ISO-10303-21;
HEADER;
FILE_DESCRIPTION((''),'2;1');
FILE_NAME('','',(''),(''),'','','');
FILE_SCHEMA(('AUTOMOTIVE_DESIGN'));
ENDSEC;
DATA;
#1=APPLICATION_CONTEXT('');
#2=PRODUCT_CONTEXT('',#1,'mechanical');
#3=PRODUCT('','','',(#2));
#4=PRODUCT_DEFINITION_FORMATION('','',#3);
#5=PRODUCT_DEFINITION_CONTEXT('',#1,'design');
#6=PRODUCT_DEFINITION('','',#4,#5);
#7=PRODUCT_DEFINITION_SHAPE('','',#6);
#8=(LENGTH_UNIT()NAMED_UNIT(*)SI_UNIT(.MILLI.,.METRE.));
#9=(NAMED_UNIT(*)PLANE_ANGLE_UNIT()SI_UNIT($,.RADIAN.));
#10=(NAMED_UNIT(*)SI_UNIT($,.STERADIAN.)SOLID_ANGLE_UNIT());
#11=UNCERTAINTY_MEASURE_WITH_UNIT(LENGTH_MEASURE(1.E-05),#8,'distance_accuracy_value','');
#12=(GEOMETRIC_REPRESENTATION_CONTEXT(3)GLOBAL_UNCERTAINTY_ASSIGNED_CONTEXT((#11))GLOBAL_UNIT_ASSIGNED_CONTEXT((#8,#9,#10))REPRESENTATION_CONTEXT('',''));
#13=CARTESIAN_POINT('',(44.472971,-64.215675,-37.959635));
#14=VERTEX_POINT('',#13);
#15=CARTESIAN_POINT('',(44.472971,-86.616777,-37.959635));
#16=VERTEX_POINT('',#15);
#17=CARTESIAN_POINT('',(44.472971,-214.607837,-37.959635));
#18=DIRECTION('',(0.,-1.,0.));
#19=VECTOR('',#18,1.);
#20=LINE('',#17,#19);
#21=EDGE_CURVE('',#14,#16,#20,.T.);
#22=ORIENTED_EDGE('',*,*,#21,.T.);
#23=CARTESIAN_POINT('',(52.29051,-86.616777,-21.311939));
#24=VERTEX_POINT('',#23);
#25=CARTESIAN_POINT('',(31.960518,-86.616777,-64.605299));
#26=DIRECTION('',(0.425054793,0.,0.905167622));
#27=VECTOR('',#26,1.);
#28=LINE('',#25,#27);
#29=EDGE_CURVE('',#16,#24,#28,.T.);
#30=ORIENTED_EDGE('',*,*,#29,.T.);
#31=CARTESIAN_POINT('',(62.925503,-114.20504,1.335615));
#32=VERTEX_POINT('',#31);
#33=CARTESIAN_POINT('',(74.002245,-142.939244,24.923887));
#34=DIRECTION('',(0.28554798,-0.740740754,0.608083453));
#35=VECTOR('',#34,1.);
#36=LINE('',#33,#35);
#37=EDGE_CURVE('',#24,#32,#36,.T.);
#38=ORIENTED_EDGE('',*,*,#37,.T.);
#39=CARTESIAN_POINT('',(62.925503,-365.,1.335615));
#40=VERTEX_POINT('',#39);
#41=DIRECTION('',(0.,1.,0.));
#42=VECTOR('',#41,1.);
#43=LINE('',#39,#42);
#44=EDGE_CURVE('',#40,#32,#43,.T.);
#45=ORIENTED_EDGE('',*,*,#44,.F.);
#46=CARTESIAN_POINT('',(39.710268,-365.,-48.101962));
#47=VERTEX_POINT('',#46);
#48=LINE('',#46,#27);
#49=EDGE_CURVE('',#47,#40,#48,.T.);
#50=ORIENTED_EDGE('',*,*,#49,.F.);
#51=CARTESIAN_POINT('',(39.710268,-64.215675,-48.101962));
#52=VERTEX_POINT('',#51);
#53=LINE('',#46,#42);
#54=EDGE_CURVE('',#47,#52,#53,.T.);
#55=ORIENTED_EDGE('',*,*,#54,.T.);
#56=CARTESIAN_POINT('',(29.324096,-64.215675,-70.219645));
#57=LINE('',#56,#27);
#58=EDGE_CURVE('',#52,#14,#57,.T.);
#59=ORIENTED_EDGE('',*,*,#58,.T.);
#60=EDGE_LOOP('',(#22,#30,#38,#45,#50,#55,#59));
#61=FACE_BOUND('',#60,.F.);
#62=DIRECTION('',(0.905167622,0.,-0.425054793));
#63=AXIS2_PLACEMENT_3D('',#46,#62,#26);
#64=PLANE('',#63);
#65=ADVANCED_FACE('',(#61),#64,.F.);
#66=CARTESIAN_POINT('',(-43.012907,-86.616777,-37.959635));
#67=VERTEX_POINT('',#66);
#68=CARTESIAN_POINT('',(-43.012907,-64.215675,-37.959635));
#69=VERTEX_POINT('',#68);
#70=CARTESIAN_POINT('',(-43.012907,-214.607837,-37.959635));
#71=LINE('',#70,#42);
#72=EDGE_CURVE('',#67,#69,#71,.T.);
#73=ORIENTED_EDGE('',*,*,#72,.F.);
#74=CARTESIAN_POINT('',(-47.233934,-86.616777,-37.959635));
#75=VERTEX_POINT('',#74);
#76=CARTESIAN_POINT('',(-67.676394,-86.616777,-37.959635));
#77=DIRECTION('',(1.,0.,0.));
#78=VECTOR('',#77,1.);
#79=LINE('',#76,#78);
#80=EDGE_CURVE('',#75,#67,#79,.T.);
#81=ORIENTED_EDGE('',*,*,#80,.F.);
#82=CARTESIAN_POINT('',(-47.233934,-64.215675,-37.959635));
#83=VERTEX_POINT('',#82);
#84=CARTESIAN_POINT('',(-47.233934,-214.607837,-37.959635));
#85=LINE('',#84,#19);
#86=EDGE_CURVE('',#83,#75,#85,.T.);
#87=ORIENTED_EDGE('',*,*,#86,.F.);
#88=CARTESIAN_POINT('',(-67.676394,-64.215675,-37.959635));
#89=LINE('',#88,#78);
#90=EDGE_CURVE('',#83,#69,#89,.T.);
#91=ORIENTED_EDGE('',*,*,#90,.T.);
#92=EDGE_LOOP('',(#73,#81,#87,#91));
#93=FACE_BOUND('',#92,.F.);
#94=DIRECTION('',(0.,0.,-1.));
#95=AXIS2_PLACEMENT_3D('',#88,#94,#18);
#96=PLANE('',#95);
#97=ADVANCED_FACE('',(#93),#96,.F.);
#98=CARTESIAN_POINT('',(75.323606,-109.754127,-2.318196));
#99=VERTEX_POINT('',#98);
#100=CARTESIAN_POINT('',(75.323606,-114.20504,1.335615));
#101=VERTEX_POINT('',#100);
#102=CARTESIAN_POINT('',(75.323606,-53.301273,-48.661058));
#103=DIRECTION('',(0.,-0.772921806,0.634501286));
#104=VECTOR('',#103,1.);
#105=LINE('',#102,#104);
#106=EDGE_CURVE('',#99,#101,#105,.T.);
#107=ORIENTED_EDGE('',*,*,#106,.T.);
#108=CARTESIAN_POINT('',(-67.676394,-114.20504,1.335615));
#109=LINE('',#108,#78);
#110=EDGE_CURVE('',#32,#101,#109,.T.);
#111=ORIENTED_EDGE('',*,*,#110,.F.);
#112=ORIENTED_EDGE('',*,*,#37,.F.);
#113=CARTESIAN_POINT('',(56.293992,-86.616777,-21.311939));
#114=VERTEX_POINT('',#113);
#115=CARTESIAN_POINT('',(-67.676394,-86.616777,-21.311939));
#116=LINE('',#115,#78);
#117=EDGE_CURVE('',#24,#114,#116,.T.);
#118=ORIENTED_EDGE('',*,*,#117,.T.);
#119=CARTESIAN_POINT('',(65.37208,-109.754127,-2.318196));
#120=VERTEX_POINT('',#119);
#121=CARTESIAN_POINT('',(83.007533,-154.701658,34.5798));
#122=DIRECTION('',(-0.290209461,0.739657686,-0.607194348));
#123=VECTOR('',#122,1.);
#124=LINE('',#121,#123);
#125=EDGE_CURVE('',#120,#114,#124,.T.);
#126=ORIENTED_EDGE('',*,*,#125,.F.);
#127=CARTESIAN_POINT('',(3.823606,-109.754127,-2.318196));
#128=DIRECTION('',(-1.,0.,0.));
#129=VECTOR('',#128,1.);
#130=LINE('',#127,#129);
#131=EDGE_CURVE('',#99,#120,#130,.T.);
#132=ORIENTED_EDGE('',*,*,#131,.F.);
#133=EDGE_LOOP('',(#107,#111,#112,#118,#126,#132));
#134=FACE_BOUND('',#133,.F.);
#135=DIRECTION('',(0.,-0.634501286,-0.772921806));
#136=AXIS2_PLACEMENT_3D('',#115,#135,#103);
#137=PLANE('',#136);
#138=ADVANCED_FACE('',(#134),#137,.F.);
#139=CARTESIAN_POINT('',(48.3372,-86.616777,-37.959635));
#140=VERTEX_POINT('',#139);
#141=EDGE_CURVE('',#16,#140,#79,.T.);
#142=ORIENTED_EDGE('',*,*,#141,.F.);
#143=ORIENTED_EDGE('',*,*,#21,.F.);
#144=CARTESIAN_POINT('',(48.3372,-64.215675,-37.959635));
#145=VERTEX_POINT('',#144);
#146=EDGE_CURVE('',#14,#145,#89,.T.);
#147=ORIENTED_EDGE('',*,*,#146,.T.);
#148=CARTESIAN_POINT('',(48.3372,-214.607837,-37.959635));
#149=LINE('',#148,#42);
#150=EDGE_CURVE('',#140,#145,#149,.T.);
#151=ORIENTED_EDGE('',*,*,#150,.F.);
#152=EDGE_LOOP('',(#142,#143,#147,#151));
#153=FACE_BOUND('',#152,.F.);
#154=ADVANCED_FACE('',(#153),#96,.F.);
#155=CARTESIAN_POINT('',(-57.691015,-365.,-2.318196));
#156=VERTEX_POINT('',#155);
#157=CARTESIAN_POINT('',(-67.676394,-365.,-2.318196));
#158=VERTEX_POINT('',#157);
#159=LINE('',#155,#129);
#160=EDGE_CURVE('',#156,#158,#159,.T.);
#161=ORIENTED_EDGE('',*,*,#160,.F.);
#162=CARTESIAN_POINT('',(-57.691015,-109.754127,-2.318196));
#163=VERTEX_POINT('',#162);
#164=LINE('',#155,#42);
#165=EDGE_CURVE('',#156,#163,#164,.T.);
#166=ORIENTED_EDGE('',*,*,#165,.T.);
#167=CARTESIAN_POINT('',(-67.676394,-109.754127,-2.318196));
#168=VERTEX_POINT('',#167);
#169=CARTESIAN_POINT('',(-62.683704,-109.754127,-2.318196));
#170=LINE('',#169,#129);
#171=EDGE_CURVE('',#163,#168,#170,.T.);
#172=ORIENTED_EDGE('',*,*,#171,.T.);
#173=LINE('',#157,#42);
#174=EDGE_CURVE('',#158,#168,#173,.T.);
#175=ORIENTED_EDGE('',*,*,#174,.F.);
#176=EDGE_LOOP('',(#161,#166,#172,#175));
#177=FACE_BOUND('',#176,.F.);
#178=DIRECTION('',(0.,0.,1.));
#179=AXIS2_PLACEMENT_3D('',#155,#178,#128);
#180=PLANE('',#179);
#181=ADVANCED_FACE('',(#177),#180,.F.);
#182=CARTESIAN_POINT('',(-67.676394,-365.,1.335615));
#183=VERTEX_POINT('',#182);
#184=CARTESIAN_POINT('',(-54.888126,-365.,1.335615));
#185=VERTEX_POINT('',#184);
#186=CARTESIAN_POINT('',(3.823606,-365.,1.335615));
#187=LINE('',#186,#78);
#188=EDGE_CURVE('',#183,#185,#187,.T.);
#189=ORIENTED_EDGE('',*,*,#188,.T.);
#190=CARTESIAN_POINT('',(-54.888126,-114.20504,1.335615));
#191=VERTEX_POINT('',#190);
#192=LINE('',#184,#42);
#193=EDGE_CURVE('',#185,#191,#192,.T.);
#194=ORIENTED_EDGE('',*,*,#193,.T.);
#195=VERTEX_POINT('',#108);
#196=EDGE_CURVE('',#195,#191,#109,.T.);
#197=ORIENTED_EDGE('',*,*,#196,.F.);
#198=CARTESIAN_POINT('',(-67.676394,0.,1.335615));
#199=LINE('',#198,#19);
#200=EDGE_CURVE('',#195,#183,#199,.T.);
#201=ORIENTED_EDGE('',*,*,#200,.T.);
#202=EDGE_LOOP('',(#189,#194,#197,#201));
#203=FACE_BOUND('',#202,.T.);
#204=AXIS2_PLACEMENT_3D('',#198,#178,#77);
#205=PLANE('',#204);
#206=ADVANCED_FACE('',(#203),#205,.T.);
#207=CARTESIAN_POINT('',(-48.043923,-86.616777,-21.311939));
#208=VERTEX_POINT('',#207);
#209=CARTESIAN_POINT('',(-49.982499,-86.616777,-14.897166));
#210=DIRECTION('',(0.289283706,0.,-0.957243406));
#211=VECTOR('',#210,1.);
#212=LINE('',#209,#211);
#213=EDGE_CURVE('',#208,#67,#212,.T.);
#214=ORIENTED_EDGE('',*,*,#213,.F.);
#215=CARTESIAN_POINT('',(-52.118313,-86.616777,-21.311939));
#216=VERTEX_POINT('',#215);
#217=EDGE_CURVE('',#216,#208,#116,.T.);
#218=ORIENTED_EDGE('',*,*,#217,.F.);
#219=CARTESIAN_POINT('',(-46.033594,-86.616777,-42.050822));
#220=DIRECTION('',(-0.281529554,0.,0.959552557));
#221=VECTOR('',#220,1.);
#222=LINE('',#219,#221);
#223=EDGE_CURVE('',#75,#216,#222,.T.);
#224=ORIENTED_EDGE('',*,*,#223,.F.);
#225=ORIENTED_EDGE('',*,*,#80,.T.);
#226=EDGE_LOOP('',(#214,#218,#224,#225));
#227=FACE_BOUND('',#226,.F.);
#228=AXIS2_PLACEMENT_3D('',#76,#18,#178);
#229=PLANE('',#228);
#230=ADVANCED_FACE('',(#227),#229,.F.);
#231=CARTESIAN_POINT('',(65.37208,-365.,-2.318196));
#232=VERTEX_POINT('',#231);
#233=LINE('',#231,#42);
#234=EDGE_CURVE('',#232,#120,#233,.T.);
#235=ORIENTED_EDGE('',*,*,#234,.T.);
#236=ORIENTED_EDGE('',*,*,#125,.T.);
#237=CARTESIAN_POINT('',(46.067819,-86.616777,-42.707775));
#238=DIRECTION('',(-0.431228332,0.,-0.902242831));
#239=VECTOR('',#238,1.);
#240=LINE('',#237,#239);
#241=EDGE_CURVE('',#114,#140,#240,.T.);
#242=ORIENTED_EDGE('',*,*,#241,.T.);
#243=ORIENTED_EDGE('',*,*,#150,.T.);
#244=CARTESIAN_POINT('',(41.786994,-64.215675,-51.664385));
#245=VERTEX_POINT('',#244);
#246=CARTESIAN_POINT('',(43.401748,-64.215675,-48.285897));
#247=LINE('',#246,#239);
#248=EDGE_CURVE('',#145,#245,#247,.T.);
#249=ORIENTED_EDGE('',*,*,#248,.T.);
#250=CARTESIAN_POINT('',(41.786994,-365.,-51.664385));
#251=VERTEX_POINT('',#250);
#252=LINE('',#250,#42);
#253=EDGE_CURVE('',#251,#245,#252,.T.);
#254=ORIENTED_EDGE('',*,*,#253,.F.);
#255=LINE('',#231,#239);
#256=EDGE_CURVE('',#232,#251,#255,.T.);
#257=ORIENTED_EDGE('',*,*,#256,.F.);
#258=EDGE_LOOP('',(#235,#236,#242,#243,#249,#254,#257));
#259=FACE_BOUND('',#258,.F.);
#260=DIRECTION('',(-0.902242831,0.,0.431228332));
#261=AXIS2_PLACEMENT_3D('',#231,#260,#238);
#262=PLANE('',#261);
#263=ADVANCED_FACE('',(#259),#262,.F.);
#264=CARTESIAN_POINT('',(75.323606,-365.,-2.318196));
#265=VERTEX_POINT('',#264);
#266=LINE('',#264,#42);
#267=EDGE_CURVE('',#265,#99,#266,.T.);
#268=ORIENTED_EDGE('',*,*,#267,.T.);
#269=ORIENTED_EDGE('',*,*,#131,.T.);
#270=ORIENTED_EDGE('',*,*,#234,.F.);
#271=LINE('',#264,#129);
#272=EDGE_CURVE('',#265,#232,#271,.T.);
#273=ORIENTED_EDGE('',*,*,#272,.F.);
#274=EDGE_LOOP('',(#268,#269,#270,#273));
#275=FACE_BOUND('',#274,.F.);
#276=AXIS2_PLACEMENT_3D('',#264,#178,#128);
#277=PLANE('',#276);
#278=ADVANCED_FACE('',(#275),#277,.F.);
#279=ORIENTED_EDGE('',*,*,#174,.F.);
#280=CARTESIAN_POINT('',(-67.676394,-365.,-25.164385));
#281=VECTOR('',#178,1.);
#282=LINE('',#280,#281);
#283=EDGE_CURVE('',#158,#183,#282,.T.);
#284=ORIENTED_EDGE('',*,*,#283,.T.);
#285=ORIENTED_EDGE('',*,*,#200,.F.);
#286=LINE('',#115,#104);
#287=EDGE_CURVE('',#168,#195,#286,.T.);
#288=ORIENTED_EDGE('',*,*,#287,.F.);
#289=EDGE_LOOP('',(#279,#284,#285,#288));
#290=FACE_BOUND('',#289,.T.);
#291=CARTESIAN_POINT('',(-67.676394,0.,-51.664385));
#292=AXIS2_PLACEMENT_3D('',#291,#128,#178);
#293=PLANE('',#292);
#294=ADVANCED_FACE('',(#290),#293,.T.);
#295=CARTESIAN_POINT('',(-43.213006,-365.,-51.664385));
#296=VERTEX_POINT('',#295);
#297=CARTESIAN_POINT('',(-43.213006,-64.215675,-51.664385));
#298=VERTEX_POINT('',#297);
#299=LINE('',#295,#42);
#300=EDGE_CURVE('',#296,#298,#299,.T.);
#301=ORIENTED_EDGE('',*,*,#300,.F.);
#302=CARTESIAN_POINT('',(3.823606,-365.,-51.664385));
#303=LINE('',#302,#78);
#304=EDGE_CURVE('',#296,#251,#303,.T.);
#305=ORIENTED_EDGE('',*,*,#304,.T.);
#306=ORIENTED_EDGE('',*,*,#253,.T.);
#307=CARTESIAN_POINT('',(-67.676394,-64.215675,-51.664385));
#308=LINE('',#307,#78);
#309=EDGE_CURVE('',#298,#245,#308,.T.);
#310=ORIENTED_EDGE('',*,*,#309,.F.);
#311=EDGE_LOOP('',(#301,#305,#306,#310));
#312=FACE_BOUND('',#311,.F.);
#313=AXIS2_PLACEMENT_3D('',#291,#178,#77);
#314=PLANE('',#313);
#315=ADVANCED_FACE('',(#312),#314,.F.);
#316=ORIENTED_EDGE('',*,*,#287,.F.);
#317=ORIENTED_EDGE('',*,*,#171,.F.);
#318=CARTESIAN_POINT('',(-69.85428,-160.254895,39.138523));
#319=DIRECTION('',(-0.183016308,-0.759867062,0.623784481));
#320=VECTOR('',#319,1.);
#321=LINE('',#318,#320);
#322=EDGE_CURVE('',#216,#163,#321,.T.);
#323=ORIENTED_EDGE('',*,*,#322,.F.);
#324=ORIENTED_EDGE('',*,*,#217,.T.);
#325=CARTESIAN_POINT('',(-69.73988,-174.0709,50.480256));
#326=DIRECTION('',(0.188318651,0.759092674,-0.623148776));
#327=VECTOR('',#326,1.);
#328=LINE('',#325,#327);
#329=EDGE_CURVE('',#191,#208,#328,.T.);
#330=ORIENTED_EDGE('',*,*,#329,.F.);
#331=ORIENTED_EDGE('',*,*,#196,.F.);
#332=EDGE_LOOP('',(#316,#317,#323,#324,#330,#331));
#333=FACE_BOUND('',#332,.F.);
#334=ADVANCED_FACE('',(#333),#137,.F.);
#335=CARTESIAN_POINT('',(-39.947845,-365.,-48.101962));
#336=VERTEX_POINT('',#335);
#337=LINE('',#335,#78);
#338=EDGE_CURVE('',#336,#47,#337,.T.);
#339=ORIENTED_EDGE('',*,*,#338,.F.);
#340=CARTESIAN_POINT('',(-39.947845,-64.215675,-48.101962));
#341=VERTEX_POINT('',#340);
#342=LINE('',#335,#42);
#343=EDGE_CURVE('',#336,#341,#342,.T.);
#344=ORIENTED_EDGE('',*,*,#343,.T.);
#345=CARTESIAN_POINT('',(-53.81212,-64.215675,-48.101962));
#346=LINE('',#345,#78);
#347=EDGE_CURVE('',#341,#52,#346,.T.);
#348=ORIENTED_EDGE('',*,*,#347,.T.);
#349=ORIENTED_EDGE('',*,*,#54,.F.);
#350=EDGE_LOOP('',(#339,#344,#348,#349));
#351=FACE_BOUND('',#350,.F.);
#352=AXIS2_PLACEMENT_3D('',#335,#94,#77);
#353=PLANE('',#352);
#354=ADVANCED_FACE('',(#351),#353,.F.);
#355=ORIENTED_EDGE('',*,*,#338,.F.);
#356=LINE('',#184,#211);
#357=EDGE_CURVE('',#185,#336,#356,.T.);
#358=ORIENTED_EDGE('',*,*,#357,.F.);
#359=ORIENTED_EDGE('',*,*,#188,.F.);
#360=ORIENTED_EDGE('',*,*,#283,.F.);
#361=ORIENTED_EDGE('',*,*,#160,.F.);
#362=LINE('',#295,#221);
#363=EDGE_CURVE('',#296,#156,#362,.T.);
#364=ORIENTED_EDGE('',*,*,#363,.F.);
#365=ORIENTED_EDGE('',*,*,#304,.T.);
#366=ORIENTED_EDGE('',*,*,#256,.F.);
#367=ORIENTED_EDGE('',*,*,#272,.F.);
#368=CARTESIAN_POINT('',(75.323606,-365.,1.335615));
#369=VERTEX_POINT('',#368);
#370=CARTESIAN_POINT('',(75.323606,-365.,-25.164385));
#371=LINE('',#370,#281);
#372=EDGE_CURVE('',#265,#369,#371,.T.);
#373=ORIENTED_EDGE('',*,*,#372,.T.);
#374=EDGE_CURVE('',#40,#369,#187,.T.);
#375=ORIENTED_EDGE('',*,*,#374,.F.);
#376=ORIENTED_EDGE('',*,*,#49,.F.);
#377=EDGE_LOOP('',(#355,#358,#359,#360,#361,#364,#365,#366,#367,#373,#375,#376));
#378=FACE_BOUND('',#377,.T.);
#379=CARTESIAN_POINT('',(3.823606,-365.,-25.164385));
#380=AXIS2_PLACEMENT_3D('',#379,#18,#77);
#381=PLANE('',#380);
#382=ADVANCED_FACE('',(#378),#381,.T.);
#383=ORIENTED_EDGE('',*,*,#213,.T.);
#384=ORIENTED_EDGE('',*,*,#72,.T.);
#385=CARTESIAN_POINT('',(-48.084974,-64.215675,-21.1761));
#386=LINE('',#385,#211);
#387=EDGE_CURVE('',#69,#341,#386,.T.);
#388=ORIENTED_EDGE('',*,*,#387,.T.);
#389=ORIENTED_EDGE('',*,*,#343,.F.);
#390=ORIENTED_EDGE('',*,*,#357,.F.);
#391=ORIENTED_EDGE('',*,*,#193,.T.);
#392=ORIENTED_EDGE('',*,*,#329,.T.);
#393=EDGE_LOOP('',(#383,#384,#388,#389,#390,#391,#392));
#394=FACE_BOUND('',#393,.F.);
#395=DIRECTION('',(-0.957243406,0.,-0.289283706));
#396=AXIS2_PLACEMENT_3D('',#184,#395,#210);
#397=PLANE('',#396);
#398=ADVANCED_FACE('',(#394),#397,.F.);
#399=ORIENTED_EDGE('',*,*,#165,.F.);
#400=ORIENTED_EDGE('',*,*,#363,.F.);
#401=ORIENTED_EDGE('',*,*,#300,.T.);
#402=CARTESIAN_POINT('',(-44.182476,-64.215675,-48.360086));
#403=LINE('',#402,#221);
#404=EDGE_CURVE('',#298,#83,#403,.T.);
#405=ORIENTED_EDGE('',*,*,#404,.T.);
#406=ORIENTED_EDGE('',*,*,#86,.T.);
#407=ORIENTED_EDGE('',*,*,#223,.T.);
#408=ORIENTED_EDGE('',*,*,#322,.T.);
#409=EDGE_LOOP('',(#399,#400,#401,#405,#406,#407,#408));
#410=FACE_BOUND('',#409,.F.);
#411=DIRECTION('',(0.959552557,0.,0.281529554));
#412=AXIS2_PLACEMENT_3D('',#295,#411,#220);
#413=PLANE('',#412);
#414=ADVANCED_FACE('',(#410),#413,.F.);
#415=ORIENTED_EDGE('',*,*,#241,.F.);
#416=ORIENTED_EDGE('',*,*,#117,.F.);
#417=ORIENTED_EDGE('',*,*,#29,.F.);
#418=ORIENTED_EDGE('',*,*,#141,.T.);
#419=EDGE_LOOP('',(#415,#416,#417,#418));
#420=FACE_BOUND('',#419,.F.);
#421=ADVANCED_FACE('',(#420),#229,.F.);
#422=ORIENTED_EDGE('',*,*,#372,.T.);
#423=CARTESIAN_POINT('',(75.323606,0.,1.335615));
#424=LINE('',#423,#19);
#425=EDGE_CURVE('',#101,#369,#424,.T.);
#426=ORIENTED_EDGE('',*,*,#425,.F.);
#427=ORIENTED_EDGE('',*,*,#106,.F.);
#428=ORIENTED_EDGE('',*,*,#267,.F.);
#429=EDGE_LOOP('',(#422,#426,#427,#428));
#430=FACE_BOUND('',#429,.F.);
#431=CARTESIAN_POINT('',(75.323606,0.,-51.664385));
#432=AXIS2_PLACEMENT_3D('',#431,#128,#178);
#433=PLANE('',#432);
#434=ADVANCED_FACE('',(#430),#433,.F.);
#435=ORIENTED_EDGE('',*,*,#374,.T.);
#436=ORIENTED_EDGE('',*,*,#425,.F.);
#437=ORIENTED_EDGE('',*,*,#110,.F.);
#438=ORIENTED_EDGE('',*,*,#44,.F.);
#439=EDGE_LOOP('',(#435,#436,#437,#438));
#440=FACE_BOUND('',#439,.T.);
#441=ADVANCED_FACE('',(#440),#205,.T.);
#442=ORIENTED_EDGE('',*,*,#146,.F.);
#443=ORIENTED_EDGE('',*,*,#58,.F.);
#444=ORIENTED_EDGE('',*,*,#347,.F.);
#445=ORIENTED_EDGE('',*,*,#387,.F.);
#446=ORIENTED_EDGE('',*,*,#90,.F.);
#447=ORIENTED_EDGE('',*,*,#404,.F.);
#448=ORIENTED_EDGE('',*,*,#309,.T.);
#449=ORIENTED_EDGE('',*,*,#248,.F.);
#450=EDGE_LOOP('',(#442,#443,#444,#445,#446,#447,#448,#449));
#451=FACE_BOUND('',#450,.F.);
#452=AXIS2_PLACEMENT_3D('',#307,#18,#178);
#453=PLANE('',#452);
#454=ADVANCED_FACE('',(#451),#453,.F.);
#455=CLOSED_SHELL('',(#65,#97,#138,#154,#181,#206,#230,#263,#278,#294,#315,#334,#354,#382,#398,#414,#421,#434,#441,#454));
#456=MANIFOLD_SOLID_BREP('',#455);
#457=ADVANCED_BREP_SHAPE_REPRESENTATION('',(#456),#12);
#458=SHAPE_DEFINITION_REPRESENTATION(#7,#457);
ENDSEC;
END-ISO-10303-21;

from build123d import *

# Parameters (mm, degrees)
F0_W     = 143
F0_H     = 53
F1_DEPTH = 365
F3_DEPTH = 143.001
F5_DEPTH = 300.785325
F6_DEPTH = 300.785325


with BuildPart() as f1:
    # F0 (on Front) → F1 (new body)
    with BuildSketch(Plane.XZ):
        with Locations((3.823606, -25.164385)):
            Rectangle(F0_W, F0_H)
    extrude(amount=F1_DEPTH)

    # F2 (on face) → F3 (cut, through all)
    with BuildSketch(Plane(origin=(-67.676394, 0, 0), x_dir=(0, -1, 0), z_dir=(-1, 0, 0))):
        Polygon((0, -51.664385), (64.215675, -51.664385), (64.215675, -37.959635), (86.616777, -37.959635), (86.616777, -21.311939), (114.20504, 1.335615), (0, 1.335615), (0, -16.486794), (0, -25.164385), align=None)
    extrude(amount=-F3_DEPTH, mode=Mode.SUBTRACT)

    # F4 (on face) → F5 (cut, through all)
    with BuildSketch(Plane.XZ.offset(365)):
        Polygon((-57.691015, -2.318196), (-67.676394, -2.318196), (-67.676394, -51.664385), (-43.213006, -51.664385), align=None)
        Polygon((65.37208, -2.318196), (41.786994, -51.664385), (75.323606, -51.664385), (75.323606, -2.318196), align=None)
    extrude(amount=-F5_DEPTH, mode=Mode.SUBTRACT)

    # F4 (on face) → F6 (cut, through all)
    with BuildSketch(Plane.XZ.offset(365)):
        Polygon((62.925503, 1.335615), (-54.888126, 1.335615), (-39.947845, -48.101962), (39.710268, -48.101962), align=None)
    extrude(amount=-F6_DEPTH, mode=Mode.SUBTRACT)


solid = f1.part
